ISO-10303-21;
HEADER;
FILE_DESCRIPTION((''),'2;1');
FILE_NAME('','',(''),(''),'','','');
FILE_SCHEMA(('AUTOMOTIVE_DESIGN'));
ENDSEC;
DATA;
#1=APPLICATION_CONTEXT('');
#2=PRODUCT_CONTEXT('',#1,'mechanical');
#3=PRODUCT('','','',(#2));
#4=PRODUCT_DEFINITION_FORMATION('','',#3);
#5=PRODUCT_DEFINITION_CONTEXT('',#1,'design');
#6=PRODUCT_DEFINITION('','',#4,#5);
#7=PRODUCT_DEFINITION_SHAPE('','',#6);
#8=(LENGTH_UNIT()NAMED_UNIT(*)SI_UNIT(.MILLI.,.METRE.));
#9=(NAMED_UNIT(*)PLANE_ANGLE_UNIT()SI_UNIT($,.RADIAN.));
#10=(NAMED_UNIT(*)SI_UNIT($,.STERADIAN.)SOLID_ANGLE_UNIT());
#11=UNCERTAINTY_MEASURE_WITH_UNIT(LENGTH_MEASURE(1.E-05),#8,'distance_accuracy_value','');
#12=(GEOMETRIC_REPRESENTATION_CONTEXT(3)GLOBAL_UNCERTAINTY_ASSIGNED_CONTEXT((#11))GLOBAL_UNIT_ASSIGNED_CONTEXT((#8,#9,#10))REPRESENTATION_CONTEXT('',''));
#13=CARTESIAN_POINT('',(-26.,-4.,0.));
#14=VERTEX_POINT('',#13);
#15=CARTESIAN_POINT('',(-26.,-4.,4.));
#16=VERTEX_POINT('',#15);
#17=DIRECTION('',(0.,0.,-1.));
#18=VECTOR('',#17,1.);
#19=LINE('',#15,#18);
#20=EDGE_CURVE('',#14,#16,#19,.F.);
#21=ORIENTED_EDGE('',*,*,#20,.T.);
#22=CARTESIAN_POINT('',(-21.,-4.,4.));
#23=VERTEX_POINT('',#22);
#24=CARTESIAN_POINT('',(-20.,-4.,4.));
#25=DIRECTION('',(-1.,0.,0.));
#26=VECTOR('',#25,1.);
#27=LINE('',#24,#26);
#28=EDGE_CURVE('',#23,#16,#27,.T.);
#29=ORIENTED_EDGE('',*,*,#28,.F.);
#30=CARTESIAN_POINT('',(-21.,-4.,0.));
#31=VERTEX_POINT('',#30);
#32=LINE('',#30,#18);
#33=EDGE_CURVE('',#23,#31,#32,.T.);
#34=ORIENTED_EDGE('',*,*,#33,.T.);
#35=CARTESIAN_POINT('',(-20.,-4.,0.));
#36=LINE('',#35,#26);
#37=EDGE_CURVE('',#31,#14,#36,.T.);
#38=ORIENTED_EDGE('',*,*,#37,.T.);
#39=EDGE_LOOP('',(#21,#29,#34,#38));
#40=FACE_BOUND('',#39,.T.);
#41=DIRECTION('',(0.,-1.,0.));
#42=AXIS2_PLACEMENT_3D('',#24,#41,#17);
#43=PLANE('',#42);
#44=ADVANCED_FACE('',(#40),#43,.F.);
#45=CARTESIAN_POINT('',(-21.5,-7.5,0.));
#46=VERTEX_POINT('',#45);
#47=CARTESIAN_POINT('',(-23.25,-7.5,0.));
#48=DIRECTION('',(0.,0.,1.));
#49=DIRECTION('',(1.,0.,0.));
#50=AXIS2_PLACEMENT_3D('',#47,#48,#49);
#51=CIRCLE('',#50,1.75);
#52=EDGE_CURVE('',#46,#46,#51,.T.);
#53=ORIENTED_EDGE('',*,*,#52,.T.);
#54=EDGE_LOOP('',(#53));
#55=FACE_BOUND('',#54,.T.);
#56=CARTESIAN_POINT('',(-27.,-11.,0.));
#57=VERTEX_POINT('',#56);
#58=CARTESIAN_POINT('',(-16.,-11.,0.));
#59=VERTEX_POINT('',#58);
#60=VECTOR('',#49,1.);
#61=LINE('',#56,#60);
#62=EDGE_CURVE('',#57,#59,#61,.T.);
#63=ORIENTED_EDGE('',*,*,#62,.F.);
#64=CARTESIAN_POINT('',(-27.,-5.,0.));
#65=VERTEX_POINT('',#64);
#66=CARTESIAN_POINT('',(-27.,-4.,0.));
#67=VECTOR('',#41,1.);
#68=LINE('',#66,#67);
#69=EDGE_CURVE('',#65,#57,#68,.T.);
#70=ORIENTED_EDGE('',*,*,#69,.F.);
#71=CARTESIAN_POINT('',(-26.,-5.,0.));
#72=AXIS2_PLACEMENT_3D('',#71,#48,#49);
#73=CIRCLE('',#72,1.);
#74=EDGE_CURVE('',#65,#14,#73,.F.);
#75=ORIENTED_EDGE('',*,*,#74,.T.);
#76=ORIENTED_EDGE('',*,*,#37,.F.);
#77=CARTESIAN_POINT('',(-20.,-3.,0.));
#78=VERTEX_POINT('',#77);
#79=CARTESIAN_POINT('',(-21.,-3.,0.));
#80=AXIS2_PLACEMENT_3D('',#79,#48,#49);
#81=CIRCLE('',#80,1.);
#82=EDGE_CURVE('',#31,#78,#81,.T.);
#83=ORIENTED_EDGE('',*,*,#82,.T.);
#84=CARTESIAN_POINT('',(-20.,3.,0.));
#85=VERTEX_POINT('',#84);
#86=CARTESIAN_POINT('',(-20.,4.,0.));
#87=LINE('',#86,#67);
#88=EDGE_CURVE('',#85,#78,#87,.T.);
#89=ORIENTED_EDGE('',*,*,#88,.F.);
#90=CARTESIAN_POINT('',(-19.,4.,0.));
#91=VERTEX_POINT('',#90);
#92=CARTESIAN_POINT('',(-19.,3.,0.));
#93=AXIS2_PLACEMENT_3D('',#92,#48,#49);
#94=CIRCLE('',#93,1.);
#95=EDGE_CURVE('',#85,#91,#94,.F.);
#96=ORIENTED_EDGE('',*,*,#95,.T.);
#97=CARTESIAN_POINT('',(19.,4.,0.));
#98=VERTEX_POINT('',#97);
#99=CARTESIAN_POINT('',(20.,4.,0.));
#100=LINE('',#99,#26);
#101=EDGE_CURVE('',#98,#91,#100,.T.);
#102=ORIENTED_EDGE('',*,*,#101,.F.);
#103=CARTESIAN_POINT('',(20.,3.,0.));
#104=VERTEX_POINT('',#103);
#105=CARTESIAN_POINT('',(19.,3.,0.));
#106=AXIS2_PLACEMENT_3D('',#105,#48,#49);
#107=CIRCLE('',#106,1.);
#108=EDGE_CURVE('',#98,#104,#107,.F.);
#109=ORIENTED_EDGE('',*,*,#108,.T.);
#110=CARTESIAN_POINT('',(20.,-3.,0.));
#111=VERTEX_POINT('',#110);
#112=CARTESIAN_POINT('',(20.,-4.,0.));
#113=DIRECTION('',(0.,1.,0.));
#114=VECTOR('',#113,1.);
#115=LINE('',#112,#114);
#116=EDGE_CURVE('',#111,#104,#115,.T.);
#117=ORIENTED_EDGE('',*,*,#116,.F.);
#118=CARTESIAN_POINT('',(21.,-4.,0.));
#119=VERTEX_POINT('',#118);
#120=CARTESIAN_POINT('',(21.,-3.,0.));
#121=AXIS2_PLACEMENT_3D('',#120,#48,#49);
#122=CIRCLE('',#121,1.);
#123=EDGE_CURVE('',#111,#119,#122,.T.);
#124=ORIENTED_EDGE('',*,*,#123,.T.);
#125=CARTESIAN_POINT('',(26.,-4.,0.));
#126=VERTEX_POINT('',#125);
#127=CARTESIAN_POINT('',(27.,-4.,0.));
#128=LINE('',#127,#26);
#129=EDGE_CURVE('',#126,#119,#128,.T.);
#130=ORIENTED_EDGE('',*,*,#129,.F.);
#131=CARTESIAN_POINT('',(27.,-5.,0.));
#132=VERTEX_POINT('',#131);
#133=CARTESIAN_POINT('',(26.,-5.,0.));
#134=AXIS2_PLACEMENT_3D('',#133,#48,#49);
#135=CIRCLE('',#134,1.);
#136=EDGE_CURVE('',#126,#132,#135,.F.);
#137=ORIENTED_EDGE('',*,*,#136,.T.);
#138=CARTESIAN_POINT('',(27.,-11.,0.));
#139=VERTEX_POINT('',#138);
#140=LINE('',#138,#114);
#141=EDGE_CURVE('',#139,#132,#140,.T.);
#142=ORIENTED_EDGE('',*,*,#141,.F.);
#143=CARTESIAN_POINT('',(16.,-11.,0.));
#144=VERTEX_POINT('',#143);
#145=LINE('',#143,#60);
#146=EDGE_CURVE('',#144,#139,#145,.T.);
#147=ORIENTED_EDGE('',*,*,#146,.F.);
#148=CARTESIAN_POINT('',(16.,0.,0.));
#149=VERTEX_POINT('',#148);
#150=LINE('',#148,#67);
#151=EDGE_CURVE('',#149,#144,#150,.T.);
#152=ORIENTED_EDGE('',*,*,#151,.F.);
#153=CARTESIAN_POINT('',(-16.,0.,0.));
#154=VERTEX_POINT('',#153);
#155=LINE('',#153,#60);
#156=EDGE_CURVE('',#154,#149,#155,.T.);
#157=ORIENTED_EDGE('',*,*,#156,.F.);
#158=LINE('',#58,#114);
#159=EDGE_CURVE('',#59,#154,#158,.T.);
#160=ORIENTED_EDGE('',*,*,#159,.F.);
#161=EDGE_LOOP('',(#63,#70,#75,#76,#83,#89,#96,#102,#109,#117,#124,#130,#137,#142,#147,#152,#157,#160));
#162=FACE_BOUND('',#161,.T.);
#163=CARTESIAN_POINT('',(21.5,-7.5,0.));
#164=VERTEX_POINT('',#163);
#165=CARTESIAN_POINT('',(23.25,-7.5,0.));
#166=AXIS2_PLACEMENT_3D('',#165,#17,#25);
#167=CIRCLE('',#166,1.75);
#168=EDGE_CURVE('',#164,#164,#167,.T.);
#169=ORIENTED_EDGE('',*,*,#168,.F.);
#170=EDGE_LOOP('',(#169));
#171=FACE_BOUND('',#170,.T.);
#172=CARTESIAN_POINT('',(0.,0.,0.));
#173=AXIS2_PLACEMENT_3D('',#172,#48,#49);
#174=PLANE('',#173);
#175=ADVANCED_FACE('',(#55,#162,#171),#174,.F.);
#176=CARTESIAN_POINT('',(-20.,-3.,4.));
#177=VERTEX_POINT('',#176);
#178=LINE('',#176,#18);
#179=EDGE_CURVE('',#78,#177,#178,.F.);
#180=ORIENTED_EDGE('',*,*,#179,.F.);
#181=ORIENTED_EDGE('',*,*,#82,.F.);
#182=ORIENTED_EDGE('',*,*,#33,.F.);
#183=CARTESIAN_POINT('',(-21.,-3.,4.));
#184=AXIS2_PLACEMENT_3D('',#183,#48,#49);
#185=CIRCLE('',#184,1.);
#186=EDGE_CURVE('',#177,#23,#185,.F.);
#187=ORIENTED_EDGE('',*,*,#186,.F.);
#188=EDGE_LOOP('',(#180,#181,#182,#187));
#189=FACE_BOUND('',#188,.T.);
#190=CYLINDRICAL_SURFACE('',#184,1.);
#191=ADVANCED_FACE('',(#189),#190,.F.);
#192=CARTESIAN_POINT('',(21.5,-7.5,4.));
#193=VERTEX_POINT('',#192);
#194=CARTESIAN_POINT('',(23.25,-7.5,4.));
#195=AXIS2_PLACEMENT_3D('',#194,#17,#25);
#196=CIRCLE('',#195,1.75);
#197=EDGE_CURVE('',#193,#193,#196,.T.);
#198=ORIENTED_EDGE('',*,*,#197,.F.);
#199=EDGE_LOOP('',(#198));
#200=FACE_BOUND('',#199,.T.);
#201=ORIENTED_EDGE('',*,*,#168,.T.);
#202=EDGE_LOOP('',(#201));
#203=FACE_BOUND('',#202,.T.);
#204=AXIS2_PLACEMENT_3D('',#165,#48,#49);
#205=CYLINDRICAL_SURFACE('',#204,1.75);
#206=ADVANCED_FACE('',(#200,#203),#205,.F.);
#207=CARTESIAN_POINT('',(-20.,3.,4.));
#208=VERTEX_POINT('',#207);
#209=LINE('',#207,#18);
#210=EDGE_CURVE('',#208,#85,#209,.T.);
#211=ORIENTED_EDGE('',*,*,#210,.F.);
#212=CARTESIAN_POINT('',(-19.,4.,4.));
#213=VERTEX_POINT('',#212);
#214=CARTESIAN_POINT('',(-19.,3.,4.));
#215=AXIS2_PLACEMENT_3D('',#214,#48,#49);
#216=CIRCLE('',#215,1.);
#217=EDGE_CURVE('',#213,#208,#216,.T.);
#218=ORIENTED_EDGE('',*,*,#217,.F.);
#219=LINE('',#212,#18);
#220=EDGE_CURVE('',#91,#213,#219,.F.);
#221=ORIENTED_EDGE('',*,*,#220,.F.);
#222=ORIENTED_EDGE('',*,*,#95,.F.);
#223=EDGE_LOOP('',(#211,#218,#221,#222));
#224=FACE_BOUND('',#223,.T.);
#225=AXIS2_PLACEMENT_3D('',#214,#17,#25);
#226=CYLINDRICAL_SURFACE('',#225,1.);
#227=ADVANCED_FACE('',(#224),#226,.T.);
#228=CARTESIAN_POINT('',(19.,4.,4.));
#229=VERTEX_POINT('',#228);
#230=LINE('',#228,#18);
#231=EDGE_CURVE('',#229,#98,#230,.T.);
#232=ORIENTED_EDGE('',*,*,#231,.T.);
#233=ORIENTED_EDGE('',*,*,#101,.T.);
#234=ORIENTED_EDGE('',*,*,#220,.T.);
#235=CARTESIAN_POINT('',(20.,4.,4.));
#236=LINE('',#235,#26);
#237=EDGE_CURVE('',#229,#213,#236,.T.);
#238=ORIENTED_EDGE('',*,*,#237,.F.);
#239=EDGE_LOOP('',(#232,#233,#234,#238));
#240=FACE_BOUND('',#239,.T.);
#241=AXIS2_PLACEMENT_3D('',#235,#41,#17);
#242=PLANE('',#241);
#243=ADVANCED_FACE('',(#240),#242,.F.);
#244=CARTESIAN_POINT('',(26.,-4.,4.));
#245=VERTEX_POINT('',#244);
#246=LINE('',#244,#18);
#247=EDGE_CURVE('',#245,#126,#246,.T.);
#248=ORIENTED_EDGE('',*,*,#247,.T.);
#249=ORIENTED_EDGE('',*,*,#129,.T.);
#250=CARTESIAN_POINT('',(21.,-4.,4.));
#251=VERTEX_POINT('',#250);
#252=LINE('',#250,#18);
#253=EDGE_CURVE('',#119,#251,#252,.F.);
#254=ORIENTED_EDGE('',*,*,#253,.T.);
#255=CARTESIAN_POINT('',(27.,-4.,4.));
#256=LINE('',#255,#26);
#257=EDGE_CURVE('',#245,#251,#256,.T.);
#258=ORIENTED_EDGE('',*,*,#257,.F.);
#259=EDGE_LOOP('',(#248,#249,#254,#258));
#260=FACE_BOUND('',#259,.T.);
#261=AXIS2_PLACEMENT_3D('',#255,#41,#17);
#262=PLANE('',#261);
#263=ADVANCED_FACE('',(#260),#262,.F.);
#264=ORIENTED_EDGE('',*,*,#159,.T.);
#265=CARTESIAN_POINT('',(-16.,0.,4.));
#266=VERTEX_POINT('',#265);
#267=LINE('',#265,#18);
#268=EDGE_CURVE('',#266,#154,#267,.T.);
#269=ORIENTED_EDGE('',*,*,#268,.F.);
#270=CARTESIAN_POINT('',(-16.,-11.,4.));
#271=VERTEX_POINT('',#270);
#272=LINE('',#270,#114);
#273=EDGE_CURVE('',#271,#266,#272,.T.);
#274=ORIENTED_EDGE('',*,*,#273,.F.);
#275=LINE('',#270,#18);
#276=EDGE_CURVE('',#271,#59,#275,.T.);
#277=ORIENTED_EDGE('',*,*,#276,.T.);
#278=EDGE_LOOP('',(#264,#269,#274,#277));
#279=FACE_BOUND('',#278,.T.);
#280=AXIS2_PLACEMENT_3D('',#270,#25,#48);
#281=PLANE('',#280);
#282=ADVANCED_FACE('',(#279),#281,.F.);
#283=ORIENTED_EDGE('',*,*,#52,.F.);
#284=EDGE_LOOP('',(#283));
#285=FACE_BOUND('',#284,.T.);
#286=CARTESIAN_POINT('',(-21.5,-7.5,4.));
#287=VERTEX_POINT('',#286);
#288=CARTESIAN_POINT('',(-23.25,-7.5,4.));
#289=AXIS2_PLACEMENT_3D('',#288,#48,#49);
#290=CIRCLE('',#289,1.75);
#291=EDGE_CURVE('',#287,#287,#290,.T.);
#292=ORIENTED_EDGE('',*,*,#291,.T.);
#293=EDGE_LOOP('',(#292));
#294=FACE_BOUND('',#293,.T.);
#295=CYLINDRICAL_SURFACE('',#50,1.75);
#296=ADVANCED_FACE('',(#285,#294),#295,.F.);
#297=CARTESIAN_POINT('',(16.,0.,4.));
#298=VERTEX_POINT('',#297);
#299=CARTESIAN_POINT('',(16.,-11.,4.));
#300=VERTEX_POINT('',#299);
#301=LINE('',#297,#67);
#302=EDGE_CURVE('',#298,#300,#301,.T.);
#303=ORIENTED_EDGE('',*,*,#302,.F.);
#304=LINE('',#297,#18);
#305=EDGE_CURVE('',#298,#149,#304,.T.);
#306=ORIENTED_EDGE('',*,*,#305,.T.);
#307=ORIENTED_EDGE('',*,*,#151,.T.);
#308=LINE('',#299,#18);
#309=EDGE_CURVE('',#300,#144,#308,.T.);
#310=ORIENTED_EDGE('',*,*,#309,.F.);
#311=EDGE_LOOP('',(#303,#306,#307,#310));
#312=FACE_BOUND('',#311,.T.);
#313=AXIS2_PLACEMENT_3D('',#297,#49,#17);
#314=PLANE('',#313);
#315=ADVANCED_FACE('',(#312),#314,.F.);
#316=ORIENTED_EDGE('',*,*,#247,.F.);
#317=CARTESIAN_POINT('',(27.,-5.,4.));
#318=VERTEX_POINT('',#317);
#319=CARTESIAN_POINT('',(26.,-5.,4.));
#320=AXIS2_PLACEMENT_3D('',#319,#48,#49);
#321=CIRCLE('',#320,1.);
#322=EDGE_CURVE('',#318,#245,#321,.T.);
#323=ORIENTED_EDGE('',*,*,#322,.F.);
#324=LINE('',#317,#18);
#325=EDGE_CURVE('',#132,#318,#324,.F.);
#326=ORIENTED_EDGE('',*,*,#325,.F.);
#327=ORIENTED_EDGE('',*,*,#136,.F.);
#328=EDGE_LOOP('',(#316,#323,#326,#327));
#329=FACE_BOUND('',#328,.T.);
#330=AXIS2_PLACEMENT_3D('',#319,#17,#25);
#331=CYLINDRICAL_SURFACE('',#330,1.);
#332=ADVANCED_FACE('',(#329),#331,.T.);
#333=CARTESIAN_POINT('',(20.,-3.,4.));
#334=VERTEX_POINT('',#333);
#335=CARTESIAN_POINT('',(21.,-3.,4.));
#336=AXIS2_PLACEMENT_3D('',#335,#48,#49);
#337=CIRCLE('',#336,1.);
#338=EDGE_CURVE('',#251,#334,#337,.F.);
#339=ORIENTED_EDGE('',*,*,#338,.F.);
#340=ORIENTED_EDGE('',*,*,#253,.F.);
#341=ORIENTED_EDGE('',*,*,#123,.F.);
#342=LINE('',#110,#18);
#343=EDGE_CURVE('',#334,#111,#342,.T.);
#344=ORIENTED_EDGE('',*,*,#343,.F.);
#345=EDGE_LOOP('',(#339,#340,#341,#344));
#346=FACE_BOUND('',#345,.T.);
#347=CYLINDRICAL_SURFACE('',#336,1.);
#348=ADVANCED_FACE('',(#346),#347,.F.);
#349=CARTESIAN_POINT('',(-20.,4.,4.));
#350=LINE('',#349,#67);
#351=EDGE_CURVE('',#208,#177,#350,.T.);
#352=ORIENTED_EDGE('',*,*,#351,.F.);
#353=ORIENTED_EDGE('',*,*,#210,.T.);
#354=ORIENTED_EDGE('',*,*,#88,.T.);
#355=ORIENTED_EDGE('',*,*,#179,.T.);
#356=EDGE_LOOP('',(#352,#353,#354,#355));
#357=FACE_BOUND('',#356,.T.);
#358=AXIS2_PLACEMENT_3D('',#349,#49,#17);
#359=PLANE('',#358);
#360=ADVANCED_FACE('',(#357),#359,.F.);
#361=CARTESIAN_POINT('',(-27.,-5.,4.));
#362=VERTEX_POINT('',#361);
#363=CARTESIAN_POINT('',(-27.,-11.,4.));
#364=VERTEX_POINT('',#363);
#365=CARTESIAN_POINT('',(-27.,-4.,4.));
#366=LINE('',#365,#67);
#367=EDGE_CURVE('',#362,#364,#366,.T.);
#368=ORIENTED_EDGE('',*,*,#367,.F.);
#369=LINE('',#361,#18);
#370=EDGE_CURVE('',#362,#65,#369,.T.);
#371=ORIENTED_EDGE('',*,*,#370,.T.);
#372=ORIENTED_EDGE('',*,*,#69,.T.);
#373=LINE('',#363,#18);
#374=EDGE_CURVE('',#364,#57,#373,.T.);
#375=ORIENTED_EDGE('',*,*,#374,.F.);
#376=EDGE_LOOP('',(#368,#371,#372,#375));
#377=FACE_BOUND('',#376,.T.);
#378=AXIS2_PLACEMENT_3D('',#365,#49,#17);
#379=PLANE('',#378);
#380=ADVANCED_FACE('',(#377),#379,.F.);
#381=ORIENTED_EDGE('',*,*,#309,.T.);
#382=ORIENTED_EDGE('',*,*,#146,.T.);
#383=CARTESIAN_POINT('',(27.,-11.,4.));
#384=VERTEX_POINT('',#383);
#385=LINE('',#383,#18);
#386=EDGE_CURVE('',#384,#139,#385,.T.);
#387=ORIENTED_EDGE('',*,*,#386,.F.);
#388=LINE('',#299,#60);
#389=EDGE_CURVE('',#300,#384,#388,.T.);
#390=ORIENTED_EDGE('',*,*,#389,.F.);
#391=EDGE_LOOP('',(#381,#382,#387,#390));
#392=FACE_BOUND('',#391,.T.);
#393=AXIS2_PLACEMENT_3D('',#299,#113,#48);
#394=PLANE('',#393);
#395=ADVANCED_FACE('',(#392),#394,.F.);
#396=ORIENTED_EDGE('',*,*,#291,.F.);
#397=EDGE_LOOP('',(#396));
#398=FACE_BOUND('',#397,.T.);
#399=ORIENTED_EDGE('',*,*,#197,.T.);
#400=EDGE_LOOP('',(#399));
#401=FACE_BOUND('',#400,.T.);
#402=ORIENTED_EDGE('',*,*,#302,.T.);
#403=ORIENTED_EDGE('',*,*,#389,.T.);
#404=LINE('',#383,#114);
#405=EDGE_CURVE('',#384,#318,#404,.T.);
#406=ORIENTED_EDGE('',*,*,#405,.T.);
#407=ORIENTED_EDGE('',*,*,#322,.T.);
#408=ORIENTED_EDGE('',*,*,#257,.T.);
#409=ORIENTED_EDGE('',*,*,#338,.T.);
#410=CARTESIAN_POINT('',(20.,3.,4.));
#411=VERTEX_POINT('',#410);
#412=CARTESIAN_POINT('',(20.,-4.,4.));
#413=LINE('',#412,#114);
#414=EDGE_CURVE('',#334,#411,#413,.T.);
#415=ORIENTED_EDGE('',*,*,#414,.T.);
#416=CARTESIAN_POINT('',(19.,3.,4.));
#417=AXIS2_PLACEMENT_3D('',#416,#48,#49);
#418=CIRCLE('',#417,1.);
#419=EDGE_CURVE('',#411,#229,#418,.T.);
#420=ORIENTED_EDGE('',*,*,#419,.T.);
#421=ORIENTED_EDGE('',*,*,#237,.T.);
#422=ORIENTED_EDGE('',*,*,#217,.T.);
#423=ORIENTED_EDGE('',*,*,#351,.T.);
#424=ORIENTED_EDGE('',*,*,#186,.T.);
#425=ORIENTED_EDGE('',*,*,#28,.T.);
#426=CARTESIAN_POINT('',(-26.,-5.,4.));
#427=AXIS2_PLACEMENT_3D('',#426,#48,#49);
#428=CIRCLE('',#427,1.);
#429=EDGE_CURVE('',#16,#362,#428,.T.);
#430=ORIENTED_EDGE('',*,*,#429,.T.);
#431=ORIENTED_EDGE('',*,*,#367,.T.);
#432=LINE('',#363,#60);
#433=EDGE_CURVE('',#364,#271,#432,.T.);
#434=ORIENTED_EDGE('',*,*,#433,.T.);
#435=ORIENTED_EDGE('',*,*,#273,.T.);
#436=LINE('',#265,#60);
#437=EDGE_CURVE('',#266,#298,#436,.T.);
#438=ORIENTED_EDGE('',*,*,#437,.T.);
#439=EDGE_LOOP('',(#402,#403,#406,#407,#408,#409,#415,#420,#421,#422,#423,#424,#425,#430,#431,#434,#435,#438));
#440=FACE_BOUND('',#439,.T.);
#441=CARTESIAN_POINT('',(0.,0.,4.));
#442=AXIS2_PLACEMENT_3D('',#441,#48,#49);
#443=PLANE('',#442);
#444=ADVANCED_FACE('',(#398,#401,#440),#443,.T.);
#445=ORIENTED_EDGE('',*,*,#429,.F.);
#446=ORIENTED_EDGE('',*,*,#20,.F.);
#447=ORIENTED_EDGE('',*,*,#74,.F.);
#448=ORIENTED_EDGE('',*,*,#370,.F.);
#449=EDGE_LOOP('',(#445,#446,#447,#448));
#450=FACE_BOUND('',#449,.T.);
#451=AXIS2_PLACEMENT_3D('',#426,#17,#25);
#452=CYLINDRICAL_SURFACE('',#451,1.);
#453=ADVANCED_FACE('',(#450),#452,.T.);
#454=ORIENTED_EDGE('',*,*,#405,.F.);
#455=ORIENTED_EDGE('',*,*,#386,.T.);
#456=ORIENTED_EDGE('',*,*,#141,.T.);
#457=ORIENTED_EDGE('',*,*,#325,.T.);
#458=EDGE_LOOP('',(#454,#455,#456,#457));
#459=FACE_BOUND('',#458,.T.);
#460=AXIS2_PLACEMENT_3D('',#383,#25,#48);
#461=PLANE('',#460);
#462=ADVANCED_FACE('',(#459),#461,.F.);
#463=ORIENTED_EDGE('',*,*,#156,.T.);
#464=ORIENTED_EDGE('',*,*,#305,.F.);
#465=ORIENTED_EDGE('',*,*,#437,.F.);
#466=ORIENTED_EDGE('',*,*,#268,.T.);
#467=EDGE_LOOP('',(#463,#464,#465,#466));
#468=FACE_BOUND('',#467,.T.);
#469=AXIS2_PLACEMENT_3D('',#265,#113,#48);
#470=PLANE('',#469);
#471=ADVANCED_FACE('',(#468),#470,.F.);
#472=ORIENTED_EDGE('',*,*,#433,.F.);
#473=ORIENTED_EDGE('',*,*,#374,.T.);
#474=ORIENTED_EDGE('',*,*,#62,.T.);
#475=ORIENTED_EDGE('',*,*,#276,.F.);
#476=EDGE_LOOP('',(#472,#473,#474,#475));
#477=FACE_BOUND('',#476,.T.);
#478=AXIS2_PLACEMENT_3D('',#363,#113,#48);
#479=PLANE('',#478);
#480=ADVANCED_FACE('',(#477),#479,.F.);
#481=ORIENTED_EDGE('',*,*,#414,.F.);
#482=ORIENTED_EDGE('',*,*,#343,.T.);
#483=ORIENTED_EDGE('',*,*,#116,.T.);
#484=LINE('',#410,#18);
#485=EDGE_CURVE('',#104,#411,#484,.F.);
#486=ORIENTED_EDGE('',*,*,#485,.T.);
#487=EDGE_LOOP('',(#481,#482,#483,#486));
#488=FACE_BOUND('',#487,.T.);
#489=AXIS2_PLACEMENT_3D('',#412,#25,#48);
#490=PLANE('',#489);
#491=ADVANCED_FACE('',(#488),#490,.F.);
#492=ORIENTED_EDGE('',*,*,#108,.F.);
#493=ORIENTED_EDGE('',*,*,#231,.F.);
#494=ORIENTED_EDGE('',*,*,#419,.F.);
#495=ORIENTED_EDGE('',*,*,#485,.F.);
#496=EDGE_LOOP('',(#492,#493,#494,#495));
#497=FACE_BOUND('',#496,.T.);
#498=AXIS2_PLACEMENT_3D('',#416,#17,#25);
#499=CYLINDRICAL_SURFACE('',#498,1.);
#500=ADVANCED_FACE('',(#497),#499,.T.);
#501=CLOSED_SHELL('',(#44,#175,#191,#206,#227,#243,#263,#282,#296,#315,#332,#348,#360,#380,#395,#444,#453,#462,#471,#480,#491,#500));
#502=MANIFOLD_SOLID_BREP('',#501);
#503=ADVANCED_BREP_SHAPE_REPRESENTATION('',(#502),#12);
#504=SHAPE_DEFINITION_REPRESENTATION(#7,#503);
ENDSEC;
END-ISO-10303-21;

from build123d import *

# Parameters (mm, degrees)
BOSS_EXTRUDE1_DEPTH = 4
SKETCH2_R           = 1.75
CUT_EXTRUDE1_DEPTH  = 4
FILLET1_R           = 1


with BuildPart() as part:
    # Sketch1 → Boss-Extrude1 (new body)
    with BuildSketch(Plane.XY):
        Polygon((-27, -11), (-16, -11), (-16, 0), (16, 0), (16, -11), (27, -11), (27, -4), (20, -4), (20, 4), (-20, 4), (-20, -4), (-27, -4), align=None)
    extrude(amount=BOSS_EXTRUDE1_DEPTH)

    # Sketch2 → Cut-Extrude1 (cut)
    with BuildSketch(Plane.XY.offset(4)):
        with Locations((-23.25, -7.5)):
            Circle(SKETCH2_R)
    cut_extrude1 = extrude(amount=-CUT_EXTRUDE1_DEPTH, mode=Mode.SUBTRACT)

    # Mirror1: Cut-Extrude1 across plane
    add(cut_extrude1.mirror(Plane(origin=(0, 0, 0), x_dir=(0, 0, 1), z_dir=(1, 0, 0))), mode=Mode.SUBTRACT)

    # Fillet1
    fillet1_edges = [part.edges().sort_by_distance(p)[0] for p in [
        (-27, -4, 2),
        (-20, -4, 2),
        (-20, 4, 2),
        (20, 4, 2),
        (20, -4, 2),
        (27, -4, 2),
    ]]
    fillet(fillet1_edges, radius=FILLET1_R)


solid = part.part
